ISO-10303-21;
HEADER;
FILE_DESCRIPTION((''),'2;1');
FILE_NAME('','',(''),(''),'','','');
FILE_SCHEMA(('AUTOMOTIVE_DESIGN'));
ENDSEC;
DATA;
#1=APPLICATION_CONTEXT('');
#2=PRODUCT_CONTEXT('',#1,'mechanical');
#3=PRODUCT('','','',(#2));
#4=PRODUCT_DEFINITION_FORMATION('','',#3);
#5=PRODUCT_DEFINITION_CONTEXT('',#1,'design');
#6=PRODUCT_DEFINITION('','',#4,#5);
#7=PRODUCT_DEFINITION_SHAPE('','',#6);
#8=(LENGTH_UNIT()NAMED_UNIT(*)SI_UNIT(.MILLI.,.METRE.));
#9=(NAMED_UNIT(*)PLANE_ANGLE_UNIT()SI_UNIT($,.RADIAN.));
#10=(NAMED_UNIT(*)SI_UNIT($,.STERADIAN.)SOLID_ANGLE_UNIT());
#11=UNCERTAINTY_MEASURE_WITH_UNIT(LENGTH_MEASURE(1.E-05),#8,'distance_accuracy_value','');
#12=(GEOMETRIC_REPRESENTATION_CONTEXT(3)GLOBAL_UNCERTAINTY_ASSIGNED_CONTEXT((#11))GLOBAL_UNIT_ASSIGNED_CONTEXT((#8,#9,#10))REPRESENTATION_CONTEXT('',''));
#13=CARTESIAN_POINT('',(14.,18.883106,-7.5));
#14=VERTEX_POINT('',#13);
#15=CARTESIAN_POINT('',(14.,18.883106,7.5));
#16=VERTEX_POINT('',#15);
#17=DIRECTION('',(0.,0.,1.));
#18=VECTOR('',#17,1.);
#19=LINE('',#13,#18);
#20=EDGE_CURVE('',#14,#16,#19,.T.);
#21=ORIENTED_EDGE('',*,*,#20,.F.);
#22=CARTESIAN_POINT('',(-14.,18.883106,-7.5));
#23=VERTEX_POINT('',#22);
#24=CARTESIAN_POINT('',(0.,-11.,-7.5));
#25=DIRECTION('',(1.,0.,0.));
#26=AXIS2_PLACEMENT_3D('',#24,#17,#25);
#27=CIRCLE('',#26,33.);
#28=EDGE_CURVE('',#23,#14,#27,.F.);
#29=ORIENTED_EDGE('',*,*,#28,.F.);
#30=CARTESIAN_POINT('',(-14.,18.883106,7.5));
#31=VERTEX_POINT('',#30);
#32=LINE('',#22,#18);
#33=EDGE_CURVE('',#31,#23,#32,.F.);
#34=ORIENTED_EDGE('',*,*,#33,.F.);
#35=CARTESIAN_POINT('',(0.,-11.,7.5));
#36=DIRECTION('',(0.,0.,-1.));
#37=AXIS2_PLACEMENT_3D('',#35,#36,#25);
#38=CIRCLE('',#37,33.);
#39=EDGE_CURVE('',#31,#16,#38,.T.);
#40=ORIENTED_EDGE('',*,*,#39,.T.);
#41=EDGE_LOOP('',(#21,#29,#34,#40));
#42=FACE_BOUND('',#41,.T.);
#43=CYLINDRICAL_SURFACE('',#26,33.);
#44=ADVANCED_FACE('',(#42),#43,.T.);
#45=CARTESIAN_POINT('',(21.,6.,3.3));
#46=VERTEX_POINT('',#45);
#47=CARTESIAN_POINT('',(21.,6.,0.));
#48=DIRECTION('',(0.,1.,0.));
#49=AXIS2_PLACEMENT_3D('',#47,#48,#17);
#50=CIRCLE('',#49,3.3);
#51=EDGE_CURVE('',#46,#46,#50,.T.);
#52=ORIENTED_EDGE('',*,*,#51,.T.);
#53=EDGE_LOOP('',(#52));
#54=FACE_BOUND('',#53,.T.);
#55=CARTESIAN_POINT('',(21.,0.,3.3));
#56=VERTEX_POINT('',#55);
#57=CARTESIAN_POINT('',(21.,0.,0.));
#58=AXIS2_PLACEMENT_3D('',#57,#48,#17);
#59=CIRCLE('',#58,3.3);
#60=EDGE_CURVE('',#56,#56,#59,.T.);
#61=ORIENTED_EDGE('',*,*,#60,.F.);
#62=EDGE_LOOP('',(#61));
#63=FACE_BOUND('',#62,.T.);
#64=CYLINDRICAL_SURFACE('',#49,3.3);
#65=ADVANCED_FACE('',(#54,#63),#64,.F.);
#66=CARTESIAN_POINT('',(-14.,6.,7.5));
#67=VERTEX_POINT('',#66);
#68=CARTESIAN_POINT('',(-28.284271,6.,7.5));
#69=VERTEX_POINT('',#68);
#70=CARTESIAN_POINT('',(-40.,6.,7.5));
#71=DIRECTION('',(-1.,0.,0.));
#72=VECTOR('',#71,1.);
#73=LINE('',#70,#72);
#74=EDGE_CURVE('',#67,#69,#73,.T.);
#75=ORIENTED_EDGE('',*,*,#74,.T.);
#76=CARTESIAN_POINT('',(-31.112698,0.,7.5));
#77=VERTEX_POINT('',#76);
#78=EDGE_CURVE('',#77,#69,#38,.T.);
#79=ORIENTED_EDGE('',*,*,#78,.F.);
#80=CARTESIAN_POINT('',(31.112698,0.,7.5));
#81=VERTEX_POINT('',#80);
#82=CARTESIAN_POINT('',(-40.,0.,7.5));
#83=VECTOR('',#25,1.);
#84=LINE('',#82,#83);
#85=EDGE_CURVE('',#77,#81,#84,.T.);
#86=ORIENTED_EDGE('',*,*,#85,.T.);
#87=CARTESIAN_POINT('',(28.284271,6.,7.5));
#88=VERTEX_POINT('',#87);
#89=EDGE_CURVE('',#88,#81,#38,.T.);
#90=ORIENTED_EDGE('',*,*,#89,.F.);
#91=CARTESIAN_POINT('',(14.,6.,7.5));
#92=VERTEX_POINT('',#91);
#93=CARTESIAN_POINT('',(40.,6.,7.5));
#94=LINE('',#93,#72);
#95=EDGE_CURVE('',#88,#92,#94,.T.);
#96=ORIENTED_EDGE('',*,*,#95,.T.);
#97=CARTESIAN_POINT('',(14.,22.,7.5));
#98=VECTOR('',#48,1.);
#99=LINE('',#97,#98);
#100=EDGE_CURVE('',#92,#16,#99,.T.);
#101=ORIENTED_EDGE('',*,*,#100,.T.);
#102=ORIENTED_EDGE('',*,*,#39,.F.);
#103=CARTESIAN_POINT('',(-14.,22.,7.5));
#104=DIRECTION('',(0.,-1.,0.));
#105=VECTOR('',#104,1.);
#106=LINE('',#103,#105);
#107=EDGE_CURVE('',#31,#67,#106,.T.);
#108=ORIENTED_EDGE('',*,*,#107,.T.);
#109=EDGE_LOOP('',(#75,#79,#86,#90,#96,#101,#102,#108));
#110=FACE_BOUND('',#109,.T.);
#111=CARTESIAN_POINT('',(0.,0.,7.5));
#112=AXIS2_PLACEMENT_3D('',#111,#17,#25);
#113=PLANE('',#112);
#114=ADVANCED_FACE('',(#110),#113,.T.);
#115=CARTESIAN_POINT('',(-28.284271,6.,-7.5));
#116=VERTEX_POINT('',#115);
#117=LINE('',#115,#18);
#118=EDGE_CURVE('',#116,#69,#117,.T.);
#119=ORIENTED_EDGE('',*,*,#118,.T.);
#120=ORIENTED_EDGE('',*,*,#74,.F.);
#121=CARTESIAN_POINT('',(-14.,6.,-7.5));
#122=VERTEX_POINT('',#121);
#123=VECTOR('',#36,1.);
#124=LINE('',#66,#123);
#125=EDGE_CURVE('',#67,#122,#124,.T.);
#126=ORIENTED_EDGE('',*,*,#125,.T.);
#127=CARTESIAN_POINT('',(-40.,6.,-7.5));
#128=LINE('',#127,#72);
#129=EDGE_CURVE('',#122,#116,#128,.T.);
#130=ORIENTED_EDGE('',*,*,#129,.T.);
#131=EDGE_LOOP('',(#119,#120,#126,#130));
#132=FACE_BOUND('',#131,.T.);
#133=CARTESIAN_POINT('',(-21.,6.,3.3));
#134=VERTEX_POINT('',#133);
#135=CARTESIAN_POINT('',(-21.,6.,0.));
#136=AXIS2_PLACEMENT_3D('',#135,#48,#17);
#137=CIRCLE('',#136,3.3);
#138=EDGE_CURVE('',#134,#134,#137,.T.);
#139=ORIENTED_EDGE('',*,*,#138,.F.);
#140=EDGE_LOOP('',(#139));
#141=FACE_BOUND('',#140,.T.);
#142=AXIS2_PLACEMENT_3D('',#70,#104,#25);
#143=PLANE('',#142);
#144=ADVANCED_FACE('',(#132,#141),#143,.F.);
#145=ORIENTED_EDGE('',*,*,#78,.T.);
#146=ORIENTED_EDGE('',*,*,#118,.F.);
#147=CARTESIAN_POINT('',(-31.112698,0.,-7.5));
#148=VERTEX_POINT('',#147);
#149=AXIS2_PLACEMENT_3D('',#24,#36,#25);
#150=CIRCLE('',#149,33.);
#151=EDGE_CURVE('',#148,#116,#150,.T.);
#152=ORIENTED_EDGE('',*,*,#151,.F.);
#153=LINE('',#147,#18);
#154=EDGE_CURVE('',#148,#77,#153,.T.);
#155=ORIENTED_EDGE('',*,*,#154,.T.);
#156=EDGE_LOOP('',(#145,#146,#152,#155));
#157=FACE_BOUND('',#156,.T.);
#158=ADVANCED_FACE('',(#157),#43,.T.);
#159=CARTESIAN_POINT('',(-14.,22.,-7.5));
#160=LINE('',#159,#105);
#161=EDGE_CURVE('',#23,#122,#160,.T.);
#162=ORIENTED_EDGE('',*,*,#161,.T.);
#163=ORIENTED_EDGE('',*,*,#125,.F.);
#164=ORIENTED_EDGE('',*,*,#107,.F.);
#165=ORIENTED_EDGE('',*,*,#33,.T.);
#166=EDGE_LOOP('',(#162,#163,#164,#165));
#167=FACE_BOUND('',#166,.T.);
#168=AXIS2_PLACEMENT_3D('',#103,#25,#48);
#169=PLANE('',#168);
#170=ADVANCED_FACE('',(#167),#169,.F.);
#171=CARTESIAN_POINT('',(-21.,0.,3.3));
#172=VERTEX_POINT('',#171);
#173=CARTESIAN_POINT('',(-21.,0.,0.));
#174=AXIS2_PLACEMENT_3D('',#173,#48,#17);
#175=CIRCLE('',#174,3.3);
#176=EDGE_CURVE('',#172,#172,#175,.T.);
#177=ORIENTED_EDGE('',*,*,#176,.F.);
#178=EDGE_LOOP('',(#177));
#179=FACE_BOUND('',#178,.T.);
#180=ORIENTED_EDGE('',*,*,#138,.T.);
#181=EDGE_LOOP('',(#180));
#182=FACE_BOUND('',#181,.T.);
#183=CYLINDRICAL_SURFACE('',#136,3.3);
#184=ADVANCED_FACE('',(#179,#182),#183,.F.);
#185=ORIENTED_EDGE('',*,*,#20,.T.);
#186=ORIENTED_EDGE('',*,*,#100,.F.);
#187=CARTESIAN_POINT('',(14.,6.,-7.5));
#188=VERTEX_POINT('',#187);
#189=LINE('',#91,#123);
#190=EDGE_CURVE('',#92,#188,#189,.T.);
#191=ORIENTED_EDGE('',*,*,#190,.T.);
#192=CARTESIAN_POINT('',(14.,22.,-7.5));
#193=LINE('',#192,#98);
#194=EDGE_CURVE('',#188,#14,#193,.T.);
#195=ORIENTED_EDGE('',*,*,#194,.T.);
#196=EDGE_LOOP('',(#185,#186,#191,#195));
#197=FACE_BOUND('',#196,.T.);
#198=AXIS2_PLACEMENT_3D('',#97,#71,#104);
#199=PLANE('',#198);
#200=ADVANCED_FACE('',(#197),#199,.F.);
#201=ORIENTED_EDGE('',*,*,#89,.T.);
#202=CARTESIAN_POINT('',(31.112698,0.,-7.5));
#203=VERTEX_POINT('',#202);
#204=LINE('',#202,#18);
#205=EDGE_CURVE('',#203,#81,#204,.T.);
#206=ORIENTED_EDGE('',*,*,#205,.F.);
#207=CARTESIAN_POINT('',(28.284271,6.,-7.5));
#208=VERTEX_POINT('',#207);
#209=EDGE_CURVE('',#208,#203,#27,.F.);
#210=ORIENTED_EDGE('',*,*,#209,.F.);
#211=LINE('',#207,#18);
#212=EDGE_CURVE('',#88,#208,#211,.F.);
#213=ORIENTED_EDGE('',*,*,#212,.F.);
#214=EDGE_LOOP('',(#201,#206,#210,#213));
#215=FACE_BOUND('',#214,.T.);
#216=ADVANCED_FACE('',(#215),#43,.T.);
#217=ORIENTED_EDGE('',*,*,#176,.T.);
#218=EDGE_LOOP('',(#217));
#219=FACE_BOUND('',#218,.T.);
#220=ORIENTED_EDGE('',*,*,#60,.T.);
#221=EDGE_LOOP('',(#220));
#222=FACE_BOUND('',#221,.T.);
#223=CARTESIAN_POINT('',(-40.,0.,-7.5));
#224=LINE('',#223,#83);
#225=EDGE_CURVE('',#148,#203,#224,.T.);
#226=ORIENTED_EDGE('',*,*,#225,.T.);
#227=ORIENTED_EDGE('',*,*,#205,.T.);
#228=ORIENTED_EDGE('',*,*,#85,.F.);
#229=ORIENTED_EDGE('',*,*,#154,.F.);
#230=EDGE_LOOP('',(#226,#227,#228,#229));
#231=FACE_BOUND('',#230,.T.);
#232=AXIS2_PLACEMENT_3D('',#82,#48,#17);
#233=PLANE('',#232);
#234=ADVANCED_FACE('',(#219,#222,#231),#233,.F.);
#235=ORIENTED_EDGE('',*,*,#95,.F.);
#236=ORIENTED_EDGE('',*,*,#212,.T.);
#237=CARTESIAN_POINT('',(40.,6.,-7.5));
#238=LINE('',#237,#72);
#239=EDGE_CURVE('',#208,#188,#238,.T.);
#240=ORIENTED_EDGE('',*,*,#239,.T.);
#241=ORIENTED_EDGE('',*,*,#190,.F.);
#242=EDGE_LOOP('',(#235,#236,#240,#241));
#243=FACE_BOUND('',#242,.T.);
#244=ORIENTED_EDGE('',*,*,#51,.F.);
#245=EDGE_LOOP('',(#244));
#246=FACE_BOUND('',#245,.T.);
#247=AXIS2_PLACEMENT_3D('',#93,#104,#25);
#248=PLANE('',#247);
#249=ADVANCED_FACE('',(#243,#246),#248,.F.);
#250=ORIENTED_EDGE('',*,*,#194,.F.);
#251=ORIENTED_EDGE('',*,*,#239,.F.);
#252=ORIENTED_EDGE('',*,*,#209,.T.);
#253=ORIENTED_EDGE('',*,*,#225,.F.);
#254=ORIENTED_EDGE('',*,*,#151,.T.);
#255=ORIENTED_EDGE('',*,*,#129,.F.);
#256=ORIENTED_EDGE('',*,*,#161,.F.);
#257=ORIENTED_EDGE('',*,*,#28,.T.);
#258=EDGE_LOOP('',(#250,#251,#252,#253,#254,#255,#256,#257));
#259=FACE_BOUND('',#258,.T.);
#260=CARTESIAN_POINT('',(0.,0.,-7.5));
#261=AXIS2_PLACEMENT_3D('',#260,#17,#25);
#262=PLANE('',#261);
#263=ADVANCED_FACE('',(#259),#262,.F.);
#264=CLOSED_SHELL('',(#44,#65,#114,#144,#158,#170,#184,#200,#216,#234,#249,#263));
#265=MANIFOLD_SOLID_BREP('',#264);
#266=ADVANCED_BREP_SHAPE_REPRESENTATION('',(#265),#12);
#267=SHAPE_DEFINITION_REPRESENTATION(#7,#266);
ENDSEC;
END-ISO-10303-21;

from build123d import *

# Parameters (mm, degrees)
EXTRUDE_1_DEPTH          = 7.5
CUT_EXTRUDE_3_DEPTH      = 8.5
CUT_EXTRUDE_3_DEPTH_BACK = 8.5
HOLE_WIZARD_M4_1_D       = 6.6


with BuildPart() as part:
    # 스케치1 → 보스-돌출1 (new body, symmetric)
    with BuildSketch(Plane.XY):
        Polygon((-14, 22), (14, 22), (14, 6), (40, 6), (40, 0), (-40, 0), (-40, 6), (-14, 6), align=None)
    extrude(amount=EXTRUDE_1_DEPTH, both=True)

    # 스케치2 → 컷-돌출3 (cut, two sides)
    with BuildSketch(Plane.XY) as cut_extrude_3_sk:
        with BuildLine():
            Line((-40, 0), (-31.112698372, 0))
            ThreePointArc((-31.112698372, 0), (0, 22), (31.112698372, 0))
            Line((31.112698372, 0), (40, 0))
            Line((40, 0), (40, 32))
            Line((40, 32), (-40, 32))
            Line((-40, 32), (-40, 0))
        make_face()
    extrude(amount=CUT_EXTRUDE_3_DEPTH, mode=Mode.SUBTRACT)
    extrude(cut_extrude_3_sk.sketch, amount=-CUT_EXTRUDE_3_DEPTH_BACK, mode=Mode.SUBTRACT)

    # M4 여유 구멍1 (through all)
    with Locations(Plane(origin=(0, 6, 0), x_dir=(1, 0, 0), z_dir=(0, 1, 0))):
        with Locations((-21, 0), (21, 0)):
            Hole(HOLE_WIZARD_M4_1_D / 2)


solid = part.part
